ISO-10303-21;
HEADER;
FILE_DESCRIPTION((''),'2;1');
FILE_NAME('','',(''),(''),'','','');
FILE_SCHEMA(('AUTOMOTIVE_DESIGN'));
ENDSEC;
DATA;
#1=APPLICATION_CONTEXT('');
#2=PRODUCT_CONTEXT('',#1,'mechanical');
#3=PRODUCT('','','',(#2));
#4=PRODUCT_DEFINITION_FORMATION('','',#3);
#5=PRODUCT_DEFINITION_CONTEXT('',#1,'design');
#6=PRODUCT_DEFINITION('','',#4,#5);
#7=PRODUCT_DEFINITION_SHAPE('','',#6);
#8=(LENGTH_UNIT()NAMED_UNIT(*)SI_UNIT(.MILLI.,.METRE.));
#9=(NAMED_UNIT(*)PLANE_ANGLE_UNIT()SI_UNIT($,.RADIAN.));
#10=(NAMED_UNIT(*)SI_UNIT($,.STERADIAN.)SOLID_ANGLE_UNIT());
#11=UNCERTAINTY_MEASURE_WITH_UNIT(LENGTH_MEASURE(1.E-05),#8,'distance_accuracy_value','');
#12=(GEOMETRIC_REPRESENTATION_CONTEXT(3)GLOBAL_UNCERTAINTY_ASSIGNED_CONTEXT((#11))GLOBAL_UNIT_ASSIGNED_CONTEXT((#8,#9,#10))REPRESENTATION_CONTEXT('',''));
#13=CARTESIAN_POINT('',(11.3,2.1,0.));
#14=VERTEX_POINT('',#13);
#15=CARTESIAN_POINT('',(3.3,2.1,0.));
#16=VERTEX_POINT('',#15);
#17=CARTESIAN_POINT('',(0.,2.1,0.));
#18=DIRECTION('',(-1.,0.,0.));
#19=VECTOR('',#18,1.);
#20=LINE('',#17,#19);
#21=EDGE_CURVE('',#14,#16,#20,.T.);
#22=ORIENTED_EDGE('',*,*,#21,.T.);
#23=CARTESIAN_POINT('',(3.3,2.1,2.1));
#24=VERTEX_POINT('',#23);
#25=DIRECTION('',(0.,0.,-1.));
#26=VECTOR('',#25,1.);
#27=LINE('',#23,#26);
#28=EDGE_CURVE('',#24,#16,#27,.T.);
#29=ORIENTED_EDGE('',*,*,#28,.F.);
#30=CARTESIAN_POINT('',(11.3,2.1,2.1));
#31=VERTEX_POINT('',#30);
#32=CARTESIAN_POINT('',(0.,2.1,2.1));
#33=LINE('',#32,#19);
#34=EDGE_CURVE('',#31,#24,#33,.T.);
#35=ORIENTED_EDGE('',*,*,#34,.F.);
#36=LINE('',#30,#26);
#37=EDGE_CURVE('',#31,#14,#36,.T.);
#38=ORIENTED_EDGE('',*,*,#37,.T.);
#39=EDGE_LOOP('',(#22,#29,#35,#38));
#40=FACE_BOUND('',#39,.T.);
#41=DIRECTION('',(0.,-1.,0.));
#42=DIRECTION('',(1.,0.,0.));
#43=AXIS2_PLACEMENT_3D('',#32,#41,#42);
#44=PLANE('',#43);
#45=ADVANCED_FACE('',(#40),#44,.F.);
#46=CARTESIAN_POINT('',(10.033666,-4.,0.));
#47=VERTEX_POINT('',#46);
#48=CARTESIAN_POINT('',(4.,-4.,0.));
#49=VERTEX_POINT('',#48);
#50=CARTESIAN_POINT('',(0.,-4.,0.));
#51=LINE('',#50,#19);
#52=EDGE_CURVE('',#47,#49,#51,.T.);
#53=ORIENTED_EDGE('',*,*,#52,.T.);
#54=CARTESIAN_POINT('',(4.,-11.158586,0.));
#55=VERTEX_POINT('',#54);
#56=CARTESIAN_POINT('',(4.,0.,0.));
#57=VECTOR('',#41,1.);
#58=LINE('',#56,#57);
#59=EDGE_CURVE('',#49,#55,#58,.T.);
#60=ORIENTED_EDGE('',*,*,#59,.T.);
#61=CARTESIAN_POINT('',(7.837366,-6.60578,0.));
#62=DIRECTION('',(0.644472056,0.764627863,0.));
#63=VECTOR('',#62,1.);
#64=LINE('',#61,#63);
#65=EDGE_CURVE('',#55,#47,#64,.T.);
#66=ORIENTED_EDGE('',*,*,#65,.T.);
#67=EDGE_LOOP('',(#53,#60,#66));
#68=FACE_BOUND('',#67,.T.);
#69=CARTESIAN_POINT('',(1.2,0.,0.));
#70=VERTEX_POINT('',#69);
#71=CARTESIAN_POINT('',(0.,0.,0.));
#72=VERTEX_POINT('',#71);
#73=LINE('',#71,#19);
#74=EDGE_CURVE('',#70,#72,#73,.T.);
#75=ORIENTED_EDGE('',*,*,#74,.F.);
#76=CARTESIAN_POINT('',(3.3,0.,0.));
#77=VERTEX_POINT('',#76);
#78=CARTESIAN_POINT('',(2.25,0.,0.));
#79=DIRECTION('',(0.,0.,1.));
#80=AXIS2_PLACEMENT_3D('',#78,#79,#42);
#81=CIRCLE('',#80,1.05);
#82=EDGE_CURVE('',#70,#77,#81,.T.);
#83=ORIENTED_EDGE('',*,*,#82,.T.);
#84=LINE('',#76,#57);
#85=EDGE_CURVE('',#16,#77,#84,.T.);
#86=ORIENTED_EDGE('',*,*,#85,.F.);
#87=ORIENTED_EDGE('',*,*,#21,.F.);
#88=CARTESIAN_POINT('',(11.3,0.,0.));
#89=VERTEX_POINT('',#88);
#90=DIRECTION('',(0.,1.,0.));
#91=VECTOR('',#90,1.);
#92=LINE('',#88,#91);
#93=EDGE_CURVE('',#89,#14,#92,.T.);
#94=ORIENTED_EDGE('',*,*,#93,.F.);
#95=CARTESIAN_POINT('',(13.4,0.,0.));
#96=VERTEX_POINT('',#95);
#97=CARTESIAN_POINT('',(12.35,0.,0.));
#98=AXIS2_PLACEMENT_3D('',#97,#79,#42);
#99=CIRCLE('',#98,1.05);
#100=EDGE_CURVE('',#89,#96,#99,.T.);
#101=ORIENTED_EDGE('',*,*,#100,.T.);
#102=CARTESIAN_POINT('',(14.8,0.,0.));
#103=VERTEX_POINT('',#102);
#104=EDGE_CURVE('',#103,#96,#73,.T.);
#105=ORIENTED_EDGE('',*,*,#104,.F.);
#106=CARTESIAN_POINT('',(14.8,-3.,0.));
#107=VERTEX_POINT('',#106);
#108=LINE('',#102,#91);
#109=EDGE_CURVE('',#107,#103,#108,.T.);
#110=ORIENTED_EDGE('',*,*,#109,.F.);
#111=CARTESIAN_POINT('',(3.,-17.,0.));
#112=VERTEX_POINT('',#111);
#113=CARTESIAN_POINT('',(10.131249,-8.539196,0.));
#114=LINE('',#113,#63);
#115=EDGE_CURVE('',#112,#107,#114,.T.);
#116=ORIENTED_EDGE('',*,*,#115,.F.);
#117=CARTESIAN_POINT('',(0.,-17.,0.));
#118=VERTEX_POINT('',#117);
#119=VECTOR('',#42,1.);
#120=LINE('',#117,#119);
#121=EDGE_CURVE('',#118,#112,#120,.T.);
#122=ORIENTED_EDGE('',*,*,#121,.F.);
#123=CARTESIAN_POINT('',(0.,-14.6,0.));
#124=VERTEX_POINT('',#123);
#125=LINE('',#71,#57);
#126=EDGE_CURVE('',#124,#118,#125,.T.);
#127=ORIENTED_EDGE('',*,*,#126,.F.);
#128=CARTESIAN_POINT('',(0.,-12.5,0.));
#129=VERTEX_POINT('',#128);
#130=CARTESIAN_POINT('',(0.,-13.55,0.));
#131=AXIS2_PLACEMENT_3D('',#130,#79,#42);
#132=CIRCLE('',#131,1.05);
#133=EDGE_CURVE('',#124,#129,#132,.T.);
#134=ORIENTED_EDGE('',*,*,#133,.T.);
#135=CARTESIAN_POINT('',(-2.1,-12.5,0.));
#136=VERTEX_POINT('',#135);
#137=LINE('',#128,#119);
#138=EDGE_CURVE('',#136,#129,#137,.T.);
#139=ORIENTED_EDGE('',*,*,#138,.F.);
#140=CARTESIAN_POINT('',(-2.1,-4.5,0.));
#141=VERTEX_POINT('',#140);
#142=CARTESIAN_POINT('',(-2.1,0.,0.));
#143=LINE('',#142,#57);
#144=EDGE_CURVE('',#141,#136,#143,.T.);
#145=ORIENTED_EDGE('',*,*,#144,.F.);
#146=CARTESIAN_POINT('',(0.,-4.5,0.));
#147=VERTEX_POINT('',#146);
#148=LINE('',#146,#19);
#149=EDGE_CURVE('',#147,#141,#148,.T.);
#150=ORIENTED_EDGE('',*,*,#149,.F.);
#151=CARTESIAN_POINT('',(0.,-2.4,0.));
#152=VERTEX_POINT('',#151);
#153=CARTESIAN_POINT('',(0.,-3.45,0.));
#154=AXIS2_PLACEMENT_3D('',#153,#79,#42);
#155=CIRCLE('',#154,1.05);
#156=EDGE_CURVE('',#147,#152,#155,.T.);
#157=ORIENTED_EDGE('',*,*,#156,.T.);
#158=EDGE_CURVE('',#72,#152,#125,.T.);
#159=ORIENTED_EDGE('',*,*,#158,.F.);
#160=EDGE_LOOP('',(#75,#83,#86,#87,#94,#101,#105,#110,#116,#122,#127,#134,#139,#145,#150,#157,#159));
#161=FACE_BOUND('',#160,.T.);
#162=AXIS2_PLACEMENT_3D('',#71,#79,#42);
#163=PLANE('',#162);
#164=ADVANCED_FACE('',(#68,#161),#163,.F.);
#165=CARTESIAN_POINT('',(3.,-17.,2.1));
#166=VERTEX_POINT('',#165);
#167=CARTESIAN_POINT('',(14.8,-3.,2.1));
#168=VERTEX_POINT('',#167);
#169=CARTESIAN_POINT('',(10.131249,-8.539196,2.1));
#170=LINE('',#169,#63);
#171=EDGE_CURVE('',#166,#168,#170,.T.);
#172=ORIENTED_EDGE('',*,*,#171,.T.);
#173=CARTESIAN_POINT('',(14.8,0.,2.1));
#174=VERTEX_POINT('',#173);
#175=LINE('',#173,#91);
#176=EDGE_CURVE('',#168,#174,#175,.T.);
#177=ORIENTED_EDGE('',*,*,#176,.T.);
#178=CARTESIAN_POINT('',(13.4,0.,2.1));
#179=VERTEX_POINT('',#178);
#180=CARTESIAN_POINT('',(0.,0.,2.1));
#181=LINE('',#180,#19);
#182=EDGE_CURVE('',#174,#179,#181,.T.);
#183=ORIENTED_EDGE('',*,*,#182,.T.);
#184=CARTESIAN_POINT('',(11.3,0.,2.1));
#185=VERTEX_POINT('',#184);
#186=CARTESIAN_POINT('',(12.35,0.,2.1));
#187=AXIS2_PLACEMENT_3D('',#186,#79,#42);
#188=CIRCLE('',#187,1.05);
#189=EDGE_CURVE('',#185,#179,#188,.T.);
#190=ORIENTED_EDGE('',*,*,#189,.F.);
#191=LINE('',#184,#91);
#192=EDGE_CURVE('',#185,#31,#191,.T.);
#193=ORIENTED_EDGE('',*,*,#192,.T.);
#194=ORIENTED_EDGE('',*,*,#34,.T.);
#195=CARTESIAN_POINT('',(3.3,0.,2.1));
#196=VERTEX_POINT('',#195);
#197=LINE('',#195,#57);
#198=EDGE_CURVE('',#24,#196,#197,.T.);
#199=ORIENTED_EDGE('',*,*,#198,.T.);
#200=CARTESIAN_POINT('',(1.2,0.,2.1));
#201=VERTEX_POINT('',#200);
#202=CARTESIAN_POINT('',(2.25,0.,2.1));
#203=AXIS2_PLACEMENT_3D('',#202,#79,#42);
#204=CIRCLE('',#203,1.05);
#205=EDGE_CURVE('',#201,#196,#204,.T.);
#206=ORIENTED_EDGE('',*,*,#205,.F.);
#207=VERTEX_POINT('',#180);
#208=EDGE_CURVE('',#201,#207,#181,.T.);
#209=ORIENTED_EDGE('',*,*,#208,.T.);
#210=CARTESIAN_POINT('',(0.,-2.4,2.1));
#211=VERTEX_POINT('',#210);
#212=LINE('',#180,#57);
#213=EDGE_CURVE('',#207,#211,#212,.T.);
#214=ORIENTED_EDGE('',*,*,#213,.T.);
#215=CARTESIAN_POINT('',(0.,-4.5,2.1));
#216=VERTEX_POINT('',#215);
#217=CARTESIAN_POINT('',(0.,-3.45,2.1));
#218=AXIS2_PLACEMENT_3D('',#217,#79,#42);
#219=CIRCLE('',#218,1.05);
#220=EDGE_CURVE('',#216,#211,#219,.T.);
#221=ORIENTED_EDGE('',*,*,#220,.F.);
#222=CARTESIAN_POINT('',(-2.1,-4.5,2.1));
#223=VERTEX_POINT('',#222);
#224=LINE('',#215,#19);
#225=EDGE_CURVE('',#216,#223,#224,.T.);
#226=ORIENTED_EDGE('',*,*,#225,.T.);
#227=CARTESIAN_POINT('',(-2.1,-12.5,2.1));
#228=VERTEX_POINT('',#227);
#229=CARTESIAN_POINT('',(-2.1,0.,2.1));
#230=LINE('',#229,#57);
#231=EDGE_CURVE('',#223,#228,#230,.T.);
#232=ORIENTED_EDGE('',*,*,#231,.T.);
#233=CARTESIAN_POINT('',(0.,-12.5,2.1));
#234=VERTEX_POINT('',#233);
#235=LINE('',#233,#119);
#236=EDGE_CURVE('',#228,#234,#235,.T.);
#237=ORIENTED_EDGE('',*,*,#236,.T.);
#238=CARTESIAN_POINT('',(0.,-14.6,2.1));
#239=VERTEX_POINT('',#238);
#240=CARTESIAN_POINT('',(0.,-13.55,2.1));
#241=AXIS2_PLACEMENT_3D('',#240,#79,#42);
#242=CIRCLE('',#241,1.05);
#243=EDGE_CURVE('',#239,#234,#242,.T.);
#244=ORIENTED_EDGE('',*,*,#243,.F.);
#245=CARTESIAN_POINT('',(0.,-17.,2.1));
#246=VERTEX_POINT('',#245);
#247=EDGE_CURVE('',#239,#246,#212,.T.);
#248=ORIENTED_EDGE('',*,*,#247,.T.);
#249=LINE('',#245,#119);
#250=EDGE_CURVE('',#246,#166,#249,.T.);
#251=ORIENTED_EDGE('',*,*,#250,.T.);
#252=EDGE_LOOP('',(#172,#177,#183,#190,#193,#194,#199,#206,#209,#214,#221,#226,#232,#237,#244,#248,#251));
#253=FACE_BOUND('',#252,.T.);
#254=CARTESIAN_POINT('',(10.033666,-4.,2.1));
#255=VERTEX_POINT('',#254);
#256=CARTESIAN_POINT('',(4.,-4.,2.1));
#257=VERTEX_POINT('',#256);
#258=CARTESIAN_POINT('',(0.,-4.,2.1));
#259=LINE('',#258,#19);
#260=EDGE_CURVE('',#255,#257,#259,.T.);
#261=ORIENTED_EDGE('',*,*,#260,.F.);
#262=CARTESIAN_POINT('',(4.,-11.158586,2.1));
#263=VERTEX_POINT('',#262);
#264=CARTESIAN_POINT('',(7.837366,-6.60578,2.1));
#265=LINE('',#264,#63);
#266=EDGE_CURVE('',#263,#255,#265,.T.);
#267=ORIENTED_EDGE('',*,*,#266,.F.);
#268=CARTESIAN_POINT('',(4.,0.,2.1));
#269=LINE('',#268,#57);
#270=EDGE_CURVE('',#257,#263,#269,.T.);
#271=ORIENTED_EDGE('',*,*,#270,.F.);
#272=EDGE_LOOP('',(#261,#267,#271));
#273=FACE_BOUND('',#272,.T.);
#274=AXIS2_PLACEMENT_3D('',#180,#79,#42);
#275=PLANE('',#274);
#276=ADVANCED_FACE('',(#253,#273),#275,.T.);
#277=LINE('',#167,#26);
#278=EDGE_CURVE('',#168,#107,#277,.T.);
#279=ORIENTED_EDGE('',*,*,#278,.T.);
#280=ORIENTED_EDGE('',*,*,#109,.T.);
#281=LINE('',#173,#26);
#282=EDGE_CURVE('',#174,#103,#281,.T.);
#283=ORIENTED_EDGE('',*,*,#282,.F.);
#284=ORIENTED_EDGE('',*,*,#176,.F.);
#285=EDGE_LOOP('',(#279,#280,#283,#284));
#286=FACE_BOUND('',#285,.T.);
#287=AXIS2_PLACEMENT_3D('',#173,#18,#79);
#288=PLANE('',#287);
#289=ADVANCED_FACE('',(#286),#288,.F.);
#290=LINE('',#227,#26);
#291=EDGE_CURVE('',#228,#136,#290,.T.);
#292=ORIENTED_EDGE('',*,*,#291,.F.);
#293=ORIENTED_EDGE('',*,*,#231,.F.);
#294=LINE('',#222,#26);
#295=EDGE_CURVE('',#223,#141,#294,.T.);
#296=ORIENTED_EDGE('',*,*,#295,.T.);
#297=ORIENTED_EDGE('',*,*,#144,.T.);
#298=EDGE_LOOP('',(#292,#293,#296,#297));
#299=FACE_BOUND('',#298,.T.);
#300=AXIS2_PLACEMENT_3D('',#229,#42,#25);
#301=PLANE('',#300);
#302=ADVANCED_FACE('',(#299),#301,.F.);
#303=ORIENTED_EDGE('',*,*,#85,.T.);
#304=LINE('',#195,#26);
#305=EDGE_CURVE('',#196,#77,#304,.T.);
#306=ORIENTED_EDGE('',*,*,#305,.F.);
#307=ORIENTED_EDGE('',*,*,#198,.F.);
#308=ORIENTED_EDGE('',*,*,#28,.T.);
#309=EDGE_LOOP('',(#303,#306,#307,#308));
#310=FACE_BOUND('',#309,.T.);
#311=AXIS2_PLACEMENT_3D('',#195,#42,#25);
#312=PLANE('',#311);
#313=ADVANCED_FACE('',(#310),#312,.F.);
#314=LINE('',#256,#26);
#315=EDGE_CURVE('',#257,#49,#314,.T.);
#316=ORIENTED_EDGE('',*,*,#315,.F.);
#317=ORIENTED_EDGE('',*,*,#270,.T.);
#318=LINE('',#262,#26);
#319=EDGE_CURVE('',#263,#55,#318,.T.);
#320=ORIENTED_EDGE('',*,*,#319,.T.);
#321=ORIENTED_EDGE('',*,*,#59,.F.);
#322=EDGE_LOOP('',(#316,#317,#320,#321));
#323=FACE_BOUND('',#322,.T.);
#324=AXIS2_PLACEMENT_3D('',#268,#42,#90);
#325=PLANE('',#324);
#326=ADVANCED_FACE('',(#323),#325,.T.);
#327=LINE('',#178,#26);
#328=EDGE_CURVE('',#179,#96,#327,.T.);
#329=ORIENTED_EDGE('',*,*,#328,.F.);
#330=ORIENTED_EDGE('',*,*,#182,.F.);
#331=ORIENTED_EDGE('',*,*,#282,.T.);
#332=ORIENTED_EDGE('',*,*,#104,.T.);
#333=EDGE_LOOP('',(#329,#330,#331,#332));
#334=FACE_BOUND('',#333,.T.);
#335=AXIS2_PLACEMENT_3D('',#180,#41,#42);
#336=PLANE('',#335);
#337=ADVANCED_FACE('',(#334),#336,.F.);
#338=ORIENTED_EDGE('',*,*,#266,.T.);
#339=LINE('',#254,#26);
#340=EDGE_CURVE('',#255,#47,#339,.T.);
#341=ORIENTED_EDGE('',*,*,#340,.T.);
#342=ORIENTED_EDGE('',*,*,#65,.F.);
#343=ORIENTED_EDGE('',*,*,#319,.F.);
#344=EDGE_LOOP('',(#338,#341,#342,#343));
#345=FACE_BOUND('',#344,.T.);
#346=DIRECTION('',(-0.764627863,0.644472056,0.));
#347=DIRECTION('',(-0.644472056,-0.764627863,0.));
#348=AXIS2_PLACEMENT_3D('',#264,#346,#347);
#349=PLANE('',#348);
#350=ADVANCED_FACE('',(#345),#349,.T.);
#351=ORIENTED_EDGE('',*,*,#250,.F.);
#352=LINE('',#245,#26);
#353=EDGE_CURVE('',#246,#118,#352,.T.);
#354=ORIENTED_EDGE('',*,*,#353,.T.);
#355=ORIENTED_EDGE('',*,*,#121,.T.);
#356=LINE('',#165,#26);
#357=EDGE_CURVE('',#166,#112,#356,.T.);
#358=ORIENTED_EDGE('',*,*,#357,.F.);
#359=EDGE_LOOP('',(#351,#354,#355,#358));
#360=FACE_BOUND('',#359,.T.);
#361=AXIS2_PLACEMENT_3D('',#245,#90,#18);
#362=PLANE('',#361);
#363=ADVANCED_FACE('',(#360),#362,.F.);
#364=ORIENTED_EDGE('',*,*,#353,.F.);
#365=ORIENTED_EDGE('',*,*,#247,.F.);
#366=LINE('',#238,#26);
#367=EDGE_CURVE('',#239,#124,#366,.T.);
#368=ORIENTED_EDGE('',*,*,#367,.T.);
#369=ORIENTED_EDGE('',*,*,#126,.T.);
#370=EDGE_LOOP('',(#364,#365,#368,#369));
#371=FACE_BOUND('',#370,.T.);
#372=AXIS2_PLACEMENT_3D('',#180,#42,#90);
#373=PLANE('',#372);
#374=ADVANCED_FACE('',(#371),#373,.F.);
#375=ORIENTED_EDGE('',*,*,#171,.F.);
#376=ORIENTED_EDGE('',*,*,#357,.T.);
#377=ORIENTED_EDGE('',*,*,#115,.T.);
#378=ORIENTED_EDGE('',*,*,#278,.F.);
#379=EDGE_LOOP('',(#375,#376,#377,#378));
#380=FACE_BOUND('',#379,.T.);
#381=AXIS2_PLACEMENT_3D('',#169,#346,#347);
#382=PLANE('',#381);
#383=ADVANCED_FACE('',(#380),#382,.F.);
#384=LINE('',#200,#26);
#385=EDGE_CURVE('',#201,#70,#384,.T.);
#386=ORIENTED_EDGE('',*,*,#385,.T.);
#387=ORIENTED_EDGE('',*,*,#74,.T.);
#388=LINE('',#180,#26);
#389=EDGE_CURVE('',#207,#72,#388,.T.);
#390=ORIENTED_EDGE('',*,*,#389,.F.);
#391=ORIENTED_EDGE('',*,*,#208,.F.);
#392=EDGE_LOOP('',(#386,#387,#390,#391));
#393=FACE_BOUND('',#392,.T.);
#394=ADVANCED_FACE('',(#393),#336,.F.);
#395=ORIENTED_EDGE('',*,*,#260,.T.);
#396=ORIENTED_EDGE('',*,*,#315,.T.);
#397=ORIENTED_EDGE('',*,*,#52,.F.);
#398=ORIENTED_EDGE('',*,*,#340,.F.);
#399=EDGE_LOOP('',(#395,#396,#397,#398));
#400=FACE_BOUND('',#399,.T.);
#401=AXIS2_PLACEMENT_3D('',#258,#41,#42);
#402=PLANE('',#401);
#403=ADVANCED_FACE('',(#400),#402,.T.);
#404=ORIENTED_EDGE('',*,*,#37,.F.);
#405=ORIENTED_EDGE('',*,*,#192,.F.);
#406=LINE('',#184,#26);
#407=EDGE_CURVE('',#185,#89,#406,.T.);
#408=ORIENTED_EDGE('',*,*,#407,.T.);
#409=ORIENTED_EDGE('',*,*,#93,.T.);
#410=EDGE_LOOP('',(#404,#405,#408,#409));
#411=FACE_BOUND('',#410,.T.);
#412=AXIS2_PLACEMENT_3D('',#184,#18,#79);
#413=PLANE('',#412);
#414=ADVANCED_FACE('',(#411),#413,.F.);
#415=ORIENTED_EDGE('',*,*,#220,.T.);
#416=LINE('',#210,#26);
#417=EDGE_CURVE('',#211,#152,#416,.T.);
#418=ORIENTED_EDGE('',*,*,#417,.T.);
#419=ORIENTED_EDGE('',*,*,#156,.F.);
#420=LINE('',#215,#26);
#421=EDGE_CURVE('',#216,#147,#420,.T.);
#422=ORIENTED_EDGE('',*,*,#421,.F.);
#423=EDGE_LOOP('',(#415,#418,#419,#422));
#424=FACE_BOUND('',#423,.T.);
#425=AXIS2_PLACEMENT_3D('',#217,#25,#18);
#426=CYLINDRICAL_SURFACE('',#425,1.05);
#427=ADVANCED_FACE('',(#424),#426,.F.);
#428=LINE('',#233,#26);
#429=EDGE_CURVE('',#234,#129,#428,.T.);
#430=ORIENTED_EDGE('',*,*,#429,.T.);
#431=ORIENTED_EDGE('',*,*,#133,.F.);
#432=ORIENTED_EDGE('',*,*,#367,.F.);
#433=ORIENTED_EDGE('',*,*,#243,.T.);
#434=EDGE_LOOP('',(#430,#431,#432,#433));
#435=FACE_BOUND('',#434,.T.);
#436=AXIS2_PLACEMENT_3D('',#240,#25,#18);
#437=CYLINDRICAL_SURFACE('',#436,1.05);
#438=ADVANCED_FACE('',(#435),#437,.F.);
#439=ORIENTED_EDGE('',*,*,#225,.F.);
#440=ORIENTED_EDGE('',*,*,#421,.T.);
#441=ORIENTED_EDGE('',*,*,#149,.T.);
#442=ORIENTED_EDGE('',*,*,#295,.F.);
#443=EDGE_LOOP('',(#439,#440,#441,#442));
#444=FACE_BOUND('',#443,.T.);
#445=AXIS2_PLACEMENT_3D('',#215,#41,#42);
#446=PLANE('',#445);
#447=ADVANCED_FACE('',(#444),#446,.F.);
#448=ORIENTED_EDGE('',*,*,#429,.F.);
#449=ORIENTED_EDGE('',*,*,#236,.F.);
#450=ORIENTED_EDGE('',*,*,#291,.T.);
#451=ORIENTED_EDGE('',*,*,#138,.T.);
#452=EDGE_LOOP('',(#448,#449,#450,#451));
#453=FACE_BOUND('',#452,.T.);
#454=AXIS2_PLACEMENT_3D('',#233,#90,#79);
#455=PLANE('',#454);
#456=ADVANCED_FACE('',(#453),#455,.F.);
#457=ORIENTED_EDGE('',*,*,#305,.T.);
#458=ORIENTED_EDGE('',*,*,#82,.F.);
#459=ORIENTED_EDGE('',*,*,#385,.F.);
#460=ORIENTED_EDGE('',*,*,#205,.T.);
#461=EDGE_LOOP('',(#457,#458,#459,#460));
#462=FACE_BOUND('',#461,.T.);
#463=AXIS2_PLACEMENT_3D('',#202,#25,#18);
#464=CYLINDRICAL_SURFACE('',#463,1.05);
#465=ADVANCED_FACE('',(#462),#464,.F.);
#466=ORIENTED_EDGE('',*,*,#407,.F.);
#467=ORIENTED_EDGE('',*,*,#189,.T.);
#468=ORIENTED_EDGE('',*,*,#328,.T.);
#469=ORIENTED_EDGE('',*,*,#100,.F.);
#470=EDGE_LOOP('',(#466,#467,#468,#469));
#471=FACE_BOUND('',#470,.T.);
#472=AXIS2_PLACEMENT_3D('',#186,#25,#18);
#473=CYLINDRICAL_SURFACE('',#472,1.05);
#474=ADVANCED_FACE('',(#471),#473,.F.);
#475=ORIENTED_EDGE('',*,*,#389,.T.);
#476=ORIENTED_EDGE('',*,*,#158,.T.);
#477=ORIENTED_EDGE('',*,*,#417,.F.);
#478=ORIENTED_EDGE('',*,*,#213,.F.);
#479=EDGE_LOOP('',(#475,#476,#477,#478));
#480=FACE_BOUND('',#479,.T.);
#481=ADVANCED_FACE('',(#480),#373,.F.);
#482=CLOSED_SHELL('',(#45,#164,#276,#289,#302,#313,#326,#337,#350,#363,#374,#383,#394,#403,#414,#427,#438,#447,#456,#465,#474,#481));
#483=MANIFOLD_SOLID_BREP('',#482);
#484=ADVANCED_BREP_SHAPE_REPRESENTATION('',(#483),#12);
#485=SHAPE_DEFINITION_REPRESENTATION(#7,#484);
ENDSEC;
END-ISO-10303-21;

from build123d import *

# Parameters (mm, degrees)
EXTRUDE_1_DEPTH = 2.1


with BuildPart() as part:
    # 草图1 → 凸台-拉伸1 (new body)
    with BuildSketch(Plane.XY):
        with BuildLine():
            Line((1.2, 0), (0, 0))
            Line((0, 0), (0, -2.4))
            ThreePointArc((0, -2.4), (0.74246212, -2.70753788), (1.05, -3.45))
            ThreePointArc((1.05, -3.45), (0.74246212, -4.19246212), (0, -4.5))
            Line((0, -4.5), (-2.1, -4.5))
            Line((-2.1, -4.5), (-2.1, -12.5))
            Line((-2.1, -12.5), (0, -12.5))
            ThreePointArc((0, -12.5), (0.74246212, -12.80753788), (1.05, -13.55))
            ThreePointArc((1.05, -13.55), (0.74246212, -14.29246212), (0, -14.6))
            Line((0, -14.6), (0, -17))
            Line((0, -17), (3, -17))
            Line((3, -17), (14.8, -3))
            Line((14.8, -3), (14.8, 0))
            Line((14.8, 0), (13.4, 0))
            ThreePointArc((13.4, 0), (12.35, -1.05), (11.3, 0))
            Line((11.3, 0), (11.3, 2.1))
            Line((11.3, 2.1), (3.3, 2.1))
            Line((3.3, 2.1), (3.3, 0))
            ThreePointArc((3.3, 0), (2.25, -1.05), (1.2, 0))
        make_face()
        Polygon((4, -11.158586353), (4, -4), (10.033665641, -4), align=None, mode=Mode.SUBTRACT)
    extrude(amount=EXTRUDE_1_DEPTH)


solid = part.part
